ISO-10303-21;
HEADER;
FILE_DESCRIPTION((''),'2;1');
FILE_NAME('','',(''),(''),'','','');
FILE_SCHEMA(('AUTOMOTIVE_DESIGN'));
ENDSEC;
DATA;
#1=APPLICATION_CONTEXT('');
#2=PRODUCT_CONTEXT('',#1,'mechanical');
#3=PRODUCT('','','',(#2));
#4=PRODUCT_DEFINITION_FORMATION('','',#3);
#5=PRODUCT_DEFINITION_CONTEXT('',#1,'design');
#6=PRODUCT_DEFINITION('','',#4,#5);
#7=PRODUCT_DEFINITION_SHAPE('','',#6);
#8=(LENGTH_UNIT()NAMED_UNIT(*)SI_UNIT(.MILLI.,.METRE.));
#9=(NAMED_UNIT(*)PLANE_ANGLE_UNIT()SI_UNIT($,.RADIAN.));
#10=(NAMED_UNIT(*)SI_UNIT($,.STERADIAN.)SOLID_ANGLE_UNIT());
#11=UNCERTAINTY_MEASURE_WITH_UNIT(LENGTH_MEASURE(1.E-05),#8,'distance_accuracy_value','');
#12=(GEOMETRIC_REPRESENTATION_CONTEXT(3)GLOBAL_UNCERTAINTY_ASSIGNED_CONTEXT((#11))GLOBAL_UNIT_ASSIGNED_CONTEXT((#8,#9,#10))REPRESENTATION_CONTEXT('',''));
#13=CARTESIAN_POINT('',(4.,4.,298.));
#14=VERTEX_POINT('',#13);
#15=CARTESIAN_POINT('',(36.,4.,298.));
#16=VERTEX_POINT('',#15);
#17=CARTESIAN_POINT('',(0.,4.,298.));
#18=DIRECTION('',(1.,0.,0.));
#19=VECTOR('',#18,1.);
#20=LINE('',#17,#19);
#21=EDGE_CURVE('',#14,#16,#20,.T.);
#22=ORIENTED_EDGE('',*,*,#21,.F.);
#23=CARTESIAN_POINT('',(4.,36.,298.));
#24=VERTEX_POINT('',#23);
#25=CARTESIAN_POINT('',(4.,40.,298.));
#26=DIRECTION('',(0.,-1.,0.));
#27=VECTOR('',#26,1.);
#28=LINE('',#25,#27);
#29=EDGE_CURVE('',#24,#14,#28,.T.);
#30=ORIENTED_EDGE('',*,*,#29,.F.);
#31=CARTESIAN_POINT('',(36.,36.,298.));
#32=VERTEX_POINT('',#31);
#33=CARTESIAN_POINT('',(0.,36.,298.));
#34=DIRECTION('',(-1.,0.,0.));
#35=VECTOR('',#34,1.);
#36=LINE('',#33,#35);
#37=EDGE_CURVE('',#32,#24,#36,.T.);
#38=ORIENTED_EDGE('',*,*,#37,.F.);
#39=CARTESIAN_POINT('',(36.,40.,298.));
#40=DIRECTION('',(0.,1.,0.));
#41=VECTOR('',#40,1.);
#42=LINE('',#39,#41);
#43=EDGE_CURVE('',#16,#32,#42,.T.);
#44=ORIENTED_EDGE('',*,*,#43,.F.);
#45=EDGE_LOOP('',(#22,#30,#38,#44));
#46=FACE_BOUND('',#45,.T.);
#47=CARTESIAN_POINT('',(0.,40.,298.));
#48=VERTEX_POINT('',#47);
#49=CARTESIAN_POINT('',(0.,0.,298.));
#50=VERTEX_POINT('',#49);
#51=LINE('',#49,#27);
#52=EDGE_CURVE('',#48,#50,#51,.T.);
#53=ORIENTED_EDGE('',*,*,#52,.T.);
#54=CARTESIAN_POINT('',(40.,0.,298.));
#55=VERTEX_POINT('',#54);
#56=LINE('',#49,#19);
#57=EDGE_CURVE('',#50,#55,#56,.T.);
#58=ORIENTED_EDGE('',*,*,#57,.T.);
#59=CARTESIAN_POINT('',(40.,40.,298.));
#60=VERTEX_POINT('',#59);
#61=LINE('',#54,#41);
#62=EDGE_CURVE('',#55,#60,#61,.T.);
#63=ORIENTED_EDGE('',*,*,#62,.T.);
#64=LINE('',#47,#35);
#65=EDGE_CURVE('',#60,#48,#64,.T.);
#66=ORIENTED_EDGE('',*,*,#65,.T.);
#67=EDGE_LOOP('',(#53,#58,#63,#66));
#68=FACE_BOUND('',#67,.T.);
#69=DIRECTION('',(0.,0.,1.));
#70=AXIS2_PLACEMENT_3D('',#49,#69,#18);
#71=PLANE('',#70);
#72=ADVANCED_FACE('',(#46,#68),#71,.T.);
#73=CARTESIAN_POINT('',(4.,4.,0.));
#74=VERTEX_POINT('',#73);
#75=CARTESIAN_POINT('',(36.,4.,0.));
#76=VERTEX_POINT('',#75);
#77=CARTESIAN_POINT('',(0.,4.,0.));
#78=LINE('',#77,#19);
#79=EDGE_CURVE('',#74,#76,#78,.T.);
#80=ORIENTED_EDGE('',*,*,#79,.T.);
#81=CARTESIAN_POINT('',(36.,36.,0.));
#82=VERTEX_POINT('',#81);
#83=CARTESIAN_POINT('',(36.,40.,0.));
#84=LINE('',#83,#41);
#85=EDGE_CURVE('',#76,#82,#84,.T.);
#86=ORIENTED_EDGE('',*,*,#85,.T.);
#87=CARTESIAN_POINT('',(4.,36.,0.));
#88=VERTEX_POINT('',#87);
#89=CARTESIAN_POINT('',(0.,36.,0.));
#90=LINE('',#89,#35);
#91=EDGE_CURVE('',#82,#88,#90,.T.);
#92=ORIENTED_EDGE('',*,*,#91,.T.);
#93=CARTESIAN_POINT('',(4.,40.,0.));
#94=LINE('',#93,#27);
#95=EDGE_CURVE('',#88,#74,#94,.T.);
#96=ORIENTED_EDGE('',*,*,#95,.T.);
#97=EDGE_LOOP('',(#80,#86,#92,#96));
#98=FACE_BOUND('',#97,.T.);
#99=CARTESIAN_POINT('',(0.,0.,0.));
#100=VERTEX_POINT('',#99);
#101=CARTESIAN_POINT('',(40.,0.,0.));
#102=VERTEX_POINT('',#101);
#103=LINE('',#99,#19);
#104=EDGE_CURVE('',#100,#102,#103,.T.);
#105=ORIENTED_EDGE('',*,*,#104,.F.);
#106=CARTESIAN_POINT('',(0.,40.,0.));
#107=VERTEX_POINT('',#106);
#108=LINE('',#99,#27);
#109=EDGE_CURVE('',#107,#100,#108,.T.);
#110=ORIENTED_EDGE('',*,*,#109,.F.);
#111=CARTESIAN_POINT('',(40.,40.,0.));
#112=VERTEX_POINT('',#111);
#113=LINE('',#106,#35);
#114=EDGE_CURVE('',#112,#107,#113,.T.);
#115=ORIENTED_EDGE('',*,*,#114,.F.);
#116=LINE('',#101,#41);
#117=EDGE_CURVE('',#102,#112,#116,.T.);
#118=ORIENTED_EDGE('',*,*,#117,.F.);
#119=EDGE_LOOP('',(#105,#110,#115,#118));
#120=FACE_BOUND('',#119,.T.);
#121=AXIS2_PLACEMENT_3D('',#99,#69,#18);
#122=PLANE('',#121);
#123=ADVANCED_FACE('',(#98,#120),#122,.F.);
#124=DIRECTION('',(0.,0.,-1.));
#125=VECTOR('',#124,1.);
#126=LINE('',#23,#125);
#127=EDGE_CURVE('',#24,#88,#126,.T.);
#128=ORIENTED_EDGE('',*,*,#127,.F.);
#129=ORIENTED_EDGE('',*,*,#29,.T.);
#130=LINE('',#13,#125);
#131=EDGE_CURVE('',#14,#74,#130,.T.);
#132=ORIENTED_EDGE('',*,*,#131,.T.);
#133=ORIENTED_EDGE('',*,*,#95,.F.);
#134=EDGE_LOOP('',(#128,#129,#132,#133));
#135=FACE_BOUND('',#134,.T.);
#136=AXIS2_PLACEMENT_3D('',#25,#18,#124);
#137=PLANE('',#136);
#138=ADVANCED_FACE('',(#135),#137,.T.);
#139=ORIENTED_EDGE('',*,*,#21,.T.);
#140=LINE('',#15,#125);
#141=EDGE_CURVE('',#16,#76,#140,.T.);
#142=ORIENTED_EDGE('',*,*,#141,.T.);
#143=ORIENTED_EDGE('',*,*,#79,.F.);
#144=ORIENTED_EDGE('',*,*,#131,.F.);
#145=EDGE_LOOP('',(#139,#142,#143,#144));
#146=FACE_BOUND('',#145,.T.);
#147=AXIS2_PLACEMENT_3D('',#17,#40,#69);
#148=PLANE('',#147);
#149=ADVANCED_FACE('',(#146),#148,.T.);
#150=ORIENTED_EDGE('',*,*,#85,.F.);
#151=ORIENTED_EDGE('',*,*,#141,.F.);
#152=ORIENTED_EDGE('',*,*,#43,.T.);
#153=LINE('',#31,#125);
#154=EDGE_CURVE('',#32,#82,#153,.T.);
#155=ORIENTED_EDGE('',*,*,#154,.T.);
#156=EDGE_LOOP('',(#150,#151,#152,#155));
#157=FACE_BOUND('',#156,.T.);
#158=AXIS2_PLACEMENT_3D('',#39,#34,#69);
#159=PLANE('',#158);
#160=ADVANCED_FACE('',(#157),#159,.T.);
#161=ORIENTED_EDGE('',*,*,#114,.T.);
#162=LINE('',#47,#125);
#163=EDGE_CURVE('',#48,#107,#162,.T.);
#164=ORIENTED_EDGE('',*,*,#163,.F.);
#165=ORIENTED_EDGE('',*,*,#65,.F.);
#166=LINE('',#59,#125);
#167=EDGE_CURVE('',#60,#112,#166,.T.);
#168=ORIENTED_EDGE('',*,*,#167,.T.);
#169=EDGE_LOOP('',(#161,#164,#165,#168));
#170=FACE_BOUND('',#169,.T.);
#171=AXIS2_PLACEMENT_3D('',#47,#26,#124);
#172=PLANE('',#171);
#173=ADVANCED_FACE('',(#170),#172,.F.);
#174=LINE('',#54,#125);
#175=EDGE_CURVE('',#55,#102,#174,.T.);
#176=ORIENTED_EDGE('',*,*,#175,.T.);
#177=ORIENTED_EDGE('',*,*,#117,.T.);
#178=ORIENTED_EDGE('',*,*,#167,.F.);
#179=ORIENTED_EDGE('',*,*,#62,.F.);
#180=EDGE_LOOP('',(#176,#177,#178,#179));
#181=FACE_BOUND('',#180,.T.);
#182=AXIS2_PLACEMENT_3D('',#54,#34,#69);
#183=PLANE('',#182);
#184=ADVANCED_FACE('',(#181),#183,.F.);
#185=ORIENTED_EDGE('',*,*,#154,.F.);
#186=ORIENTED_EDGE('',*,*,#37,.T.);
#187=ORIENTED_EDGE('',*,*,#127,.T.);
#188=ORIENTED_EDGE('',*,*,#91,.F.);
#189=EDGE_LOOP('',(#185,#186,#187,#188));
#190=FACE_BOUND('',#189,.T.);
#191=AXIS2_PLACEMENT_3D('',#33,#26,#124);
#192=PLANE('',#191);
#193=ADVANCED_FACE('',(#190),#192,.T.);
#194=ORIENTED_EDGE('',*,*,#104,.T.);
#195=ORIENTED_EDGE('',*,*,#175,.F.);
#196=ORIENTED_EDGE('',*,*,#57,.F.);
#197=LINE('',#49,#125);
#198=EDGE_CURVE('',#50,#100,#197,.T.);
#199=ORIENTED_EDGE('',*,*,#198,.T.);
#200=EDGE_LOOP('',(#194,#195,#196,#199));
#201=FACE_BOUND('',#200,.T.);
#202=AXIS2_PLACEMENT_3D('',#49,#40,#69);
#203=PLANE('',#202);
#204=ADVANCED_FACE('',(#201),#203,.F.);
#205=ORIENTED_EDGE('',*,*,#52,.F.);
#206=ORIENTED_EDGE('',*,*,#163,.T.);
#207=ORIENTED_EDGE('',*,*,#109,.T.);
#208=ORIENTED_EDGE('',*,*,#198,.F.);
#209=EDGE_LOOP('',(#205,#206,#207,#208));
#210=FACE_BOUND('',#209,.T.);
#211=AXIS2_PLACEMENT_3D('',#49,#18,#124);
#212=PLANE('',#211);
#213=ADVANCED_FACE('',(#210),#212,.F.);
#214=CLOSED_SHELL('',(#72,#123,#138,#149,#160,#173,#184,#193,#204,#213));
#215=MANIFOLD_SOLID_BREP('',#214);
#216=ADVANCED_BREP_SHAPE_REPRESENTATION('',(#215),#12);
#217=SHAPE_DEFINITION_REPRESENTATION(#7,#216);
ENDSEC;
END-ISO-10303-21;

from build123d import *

# Parameters (mm, degrees)
SKETCH_1_W      = 40
SKETCH_1_H      = 40
SKETCH_1_W_2    = 32
SKETCH_1_H_2    = 32
EXTRUDE_1_DEPTH = 298


with BuildPart() as part:
    # Эскиз1 → Вытянуть-Тонкостенный1 (new body)
    with BuildSketch(Plane.XY):
        with Locations((20, 20)):
            Rectangle(SKETCH_1_W, SKETCH_1_H)
        with Locations((20, 20)):
            Rectangle(SKETCH_1_W_2, SKETCH_1_H_2, mode=Mode.SUBTRACT)
    extrude(amount=EXTRUDE_1_DEPTH)


solid = part.part
